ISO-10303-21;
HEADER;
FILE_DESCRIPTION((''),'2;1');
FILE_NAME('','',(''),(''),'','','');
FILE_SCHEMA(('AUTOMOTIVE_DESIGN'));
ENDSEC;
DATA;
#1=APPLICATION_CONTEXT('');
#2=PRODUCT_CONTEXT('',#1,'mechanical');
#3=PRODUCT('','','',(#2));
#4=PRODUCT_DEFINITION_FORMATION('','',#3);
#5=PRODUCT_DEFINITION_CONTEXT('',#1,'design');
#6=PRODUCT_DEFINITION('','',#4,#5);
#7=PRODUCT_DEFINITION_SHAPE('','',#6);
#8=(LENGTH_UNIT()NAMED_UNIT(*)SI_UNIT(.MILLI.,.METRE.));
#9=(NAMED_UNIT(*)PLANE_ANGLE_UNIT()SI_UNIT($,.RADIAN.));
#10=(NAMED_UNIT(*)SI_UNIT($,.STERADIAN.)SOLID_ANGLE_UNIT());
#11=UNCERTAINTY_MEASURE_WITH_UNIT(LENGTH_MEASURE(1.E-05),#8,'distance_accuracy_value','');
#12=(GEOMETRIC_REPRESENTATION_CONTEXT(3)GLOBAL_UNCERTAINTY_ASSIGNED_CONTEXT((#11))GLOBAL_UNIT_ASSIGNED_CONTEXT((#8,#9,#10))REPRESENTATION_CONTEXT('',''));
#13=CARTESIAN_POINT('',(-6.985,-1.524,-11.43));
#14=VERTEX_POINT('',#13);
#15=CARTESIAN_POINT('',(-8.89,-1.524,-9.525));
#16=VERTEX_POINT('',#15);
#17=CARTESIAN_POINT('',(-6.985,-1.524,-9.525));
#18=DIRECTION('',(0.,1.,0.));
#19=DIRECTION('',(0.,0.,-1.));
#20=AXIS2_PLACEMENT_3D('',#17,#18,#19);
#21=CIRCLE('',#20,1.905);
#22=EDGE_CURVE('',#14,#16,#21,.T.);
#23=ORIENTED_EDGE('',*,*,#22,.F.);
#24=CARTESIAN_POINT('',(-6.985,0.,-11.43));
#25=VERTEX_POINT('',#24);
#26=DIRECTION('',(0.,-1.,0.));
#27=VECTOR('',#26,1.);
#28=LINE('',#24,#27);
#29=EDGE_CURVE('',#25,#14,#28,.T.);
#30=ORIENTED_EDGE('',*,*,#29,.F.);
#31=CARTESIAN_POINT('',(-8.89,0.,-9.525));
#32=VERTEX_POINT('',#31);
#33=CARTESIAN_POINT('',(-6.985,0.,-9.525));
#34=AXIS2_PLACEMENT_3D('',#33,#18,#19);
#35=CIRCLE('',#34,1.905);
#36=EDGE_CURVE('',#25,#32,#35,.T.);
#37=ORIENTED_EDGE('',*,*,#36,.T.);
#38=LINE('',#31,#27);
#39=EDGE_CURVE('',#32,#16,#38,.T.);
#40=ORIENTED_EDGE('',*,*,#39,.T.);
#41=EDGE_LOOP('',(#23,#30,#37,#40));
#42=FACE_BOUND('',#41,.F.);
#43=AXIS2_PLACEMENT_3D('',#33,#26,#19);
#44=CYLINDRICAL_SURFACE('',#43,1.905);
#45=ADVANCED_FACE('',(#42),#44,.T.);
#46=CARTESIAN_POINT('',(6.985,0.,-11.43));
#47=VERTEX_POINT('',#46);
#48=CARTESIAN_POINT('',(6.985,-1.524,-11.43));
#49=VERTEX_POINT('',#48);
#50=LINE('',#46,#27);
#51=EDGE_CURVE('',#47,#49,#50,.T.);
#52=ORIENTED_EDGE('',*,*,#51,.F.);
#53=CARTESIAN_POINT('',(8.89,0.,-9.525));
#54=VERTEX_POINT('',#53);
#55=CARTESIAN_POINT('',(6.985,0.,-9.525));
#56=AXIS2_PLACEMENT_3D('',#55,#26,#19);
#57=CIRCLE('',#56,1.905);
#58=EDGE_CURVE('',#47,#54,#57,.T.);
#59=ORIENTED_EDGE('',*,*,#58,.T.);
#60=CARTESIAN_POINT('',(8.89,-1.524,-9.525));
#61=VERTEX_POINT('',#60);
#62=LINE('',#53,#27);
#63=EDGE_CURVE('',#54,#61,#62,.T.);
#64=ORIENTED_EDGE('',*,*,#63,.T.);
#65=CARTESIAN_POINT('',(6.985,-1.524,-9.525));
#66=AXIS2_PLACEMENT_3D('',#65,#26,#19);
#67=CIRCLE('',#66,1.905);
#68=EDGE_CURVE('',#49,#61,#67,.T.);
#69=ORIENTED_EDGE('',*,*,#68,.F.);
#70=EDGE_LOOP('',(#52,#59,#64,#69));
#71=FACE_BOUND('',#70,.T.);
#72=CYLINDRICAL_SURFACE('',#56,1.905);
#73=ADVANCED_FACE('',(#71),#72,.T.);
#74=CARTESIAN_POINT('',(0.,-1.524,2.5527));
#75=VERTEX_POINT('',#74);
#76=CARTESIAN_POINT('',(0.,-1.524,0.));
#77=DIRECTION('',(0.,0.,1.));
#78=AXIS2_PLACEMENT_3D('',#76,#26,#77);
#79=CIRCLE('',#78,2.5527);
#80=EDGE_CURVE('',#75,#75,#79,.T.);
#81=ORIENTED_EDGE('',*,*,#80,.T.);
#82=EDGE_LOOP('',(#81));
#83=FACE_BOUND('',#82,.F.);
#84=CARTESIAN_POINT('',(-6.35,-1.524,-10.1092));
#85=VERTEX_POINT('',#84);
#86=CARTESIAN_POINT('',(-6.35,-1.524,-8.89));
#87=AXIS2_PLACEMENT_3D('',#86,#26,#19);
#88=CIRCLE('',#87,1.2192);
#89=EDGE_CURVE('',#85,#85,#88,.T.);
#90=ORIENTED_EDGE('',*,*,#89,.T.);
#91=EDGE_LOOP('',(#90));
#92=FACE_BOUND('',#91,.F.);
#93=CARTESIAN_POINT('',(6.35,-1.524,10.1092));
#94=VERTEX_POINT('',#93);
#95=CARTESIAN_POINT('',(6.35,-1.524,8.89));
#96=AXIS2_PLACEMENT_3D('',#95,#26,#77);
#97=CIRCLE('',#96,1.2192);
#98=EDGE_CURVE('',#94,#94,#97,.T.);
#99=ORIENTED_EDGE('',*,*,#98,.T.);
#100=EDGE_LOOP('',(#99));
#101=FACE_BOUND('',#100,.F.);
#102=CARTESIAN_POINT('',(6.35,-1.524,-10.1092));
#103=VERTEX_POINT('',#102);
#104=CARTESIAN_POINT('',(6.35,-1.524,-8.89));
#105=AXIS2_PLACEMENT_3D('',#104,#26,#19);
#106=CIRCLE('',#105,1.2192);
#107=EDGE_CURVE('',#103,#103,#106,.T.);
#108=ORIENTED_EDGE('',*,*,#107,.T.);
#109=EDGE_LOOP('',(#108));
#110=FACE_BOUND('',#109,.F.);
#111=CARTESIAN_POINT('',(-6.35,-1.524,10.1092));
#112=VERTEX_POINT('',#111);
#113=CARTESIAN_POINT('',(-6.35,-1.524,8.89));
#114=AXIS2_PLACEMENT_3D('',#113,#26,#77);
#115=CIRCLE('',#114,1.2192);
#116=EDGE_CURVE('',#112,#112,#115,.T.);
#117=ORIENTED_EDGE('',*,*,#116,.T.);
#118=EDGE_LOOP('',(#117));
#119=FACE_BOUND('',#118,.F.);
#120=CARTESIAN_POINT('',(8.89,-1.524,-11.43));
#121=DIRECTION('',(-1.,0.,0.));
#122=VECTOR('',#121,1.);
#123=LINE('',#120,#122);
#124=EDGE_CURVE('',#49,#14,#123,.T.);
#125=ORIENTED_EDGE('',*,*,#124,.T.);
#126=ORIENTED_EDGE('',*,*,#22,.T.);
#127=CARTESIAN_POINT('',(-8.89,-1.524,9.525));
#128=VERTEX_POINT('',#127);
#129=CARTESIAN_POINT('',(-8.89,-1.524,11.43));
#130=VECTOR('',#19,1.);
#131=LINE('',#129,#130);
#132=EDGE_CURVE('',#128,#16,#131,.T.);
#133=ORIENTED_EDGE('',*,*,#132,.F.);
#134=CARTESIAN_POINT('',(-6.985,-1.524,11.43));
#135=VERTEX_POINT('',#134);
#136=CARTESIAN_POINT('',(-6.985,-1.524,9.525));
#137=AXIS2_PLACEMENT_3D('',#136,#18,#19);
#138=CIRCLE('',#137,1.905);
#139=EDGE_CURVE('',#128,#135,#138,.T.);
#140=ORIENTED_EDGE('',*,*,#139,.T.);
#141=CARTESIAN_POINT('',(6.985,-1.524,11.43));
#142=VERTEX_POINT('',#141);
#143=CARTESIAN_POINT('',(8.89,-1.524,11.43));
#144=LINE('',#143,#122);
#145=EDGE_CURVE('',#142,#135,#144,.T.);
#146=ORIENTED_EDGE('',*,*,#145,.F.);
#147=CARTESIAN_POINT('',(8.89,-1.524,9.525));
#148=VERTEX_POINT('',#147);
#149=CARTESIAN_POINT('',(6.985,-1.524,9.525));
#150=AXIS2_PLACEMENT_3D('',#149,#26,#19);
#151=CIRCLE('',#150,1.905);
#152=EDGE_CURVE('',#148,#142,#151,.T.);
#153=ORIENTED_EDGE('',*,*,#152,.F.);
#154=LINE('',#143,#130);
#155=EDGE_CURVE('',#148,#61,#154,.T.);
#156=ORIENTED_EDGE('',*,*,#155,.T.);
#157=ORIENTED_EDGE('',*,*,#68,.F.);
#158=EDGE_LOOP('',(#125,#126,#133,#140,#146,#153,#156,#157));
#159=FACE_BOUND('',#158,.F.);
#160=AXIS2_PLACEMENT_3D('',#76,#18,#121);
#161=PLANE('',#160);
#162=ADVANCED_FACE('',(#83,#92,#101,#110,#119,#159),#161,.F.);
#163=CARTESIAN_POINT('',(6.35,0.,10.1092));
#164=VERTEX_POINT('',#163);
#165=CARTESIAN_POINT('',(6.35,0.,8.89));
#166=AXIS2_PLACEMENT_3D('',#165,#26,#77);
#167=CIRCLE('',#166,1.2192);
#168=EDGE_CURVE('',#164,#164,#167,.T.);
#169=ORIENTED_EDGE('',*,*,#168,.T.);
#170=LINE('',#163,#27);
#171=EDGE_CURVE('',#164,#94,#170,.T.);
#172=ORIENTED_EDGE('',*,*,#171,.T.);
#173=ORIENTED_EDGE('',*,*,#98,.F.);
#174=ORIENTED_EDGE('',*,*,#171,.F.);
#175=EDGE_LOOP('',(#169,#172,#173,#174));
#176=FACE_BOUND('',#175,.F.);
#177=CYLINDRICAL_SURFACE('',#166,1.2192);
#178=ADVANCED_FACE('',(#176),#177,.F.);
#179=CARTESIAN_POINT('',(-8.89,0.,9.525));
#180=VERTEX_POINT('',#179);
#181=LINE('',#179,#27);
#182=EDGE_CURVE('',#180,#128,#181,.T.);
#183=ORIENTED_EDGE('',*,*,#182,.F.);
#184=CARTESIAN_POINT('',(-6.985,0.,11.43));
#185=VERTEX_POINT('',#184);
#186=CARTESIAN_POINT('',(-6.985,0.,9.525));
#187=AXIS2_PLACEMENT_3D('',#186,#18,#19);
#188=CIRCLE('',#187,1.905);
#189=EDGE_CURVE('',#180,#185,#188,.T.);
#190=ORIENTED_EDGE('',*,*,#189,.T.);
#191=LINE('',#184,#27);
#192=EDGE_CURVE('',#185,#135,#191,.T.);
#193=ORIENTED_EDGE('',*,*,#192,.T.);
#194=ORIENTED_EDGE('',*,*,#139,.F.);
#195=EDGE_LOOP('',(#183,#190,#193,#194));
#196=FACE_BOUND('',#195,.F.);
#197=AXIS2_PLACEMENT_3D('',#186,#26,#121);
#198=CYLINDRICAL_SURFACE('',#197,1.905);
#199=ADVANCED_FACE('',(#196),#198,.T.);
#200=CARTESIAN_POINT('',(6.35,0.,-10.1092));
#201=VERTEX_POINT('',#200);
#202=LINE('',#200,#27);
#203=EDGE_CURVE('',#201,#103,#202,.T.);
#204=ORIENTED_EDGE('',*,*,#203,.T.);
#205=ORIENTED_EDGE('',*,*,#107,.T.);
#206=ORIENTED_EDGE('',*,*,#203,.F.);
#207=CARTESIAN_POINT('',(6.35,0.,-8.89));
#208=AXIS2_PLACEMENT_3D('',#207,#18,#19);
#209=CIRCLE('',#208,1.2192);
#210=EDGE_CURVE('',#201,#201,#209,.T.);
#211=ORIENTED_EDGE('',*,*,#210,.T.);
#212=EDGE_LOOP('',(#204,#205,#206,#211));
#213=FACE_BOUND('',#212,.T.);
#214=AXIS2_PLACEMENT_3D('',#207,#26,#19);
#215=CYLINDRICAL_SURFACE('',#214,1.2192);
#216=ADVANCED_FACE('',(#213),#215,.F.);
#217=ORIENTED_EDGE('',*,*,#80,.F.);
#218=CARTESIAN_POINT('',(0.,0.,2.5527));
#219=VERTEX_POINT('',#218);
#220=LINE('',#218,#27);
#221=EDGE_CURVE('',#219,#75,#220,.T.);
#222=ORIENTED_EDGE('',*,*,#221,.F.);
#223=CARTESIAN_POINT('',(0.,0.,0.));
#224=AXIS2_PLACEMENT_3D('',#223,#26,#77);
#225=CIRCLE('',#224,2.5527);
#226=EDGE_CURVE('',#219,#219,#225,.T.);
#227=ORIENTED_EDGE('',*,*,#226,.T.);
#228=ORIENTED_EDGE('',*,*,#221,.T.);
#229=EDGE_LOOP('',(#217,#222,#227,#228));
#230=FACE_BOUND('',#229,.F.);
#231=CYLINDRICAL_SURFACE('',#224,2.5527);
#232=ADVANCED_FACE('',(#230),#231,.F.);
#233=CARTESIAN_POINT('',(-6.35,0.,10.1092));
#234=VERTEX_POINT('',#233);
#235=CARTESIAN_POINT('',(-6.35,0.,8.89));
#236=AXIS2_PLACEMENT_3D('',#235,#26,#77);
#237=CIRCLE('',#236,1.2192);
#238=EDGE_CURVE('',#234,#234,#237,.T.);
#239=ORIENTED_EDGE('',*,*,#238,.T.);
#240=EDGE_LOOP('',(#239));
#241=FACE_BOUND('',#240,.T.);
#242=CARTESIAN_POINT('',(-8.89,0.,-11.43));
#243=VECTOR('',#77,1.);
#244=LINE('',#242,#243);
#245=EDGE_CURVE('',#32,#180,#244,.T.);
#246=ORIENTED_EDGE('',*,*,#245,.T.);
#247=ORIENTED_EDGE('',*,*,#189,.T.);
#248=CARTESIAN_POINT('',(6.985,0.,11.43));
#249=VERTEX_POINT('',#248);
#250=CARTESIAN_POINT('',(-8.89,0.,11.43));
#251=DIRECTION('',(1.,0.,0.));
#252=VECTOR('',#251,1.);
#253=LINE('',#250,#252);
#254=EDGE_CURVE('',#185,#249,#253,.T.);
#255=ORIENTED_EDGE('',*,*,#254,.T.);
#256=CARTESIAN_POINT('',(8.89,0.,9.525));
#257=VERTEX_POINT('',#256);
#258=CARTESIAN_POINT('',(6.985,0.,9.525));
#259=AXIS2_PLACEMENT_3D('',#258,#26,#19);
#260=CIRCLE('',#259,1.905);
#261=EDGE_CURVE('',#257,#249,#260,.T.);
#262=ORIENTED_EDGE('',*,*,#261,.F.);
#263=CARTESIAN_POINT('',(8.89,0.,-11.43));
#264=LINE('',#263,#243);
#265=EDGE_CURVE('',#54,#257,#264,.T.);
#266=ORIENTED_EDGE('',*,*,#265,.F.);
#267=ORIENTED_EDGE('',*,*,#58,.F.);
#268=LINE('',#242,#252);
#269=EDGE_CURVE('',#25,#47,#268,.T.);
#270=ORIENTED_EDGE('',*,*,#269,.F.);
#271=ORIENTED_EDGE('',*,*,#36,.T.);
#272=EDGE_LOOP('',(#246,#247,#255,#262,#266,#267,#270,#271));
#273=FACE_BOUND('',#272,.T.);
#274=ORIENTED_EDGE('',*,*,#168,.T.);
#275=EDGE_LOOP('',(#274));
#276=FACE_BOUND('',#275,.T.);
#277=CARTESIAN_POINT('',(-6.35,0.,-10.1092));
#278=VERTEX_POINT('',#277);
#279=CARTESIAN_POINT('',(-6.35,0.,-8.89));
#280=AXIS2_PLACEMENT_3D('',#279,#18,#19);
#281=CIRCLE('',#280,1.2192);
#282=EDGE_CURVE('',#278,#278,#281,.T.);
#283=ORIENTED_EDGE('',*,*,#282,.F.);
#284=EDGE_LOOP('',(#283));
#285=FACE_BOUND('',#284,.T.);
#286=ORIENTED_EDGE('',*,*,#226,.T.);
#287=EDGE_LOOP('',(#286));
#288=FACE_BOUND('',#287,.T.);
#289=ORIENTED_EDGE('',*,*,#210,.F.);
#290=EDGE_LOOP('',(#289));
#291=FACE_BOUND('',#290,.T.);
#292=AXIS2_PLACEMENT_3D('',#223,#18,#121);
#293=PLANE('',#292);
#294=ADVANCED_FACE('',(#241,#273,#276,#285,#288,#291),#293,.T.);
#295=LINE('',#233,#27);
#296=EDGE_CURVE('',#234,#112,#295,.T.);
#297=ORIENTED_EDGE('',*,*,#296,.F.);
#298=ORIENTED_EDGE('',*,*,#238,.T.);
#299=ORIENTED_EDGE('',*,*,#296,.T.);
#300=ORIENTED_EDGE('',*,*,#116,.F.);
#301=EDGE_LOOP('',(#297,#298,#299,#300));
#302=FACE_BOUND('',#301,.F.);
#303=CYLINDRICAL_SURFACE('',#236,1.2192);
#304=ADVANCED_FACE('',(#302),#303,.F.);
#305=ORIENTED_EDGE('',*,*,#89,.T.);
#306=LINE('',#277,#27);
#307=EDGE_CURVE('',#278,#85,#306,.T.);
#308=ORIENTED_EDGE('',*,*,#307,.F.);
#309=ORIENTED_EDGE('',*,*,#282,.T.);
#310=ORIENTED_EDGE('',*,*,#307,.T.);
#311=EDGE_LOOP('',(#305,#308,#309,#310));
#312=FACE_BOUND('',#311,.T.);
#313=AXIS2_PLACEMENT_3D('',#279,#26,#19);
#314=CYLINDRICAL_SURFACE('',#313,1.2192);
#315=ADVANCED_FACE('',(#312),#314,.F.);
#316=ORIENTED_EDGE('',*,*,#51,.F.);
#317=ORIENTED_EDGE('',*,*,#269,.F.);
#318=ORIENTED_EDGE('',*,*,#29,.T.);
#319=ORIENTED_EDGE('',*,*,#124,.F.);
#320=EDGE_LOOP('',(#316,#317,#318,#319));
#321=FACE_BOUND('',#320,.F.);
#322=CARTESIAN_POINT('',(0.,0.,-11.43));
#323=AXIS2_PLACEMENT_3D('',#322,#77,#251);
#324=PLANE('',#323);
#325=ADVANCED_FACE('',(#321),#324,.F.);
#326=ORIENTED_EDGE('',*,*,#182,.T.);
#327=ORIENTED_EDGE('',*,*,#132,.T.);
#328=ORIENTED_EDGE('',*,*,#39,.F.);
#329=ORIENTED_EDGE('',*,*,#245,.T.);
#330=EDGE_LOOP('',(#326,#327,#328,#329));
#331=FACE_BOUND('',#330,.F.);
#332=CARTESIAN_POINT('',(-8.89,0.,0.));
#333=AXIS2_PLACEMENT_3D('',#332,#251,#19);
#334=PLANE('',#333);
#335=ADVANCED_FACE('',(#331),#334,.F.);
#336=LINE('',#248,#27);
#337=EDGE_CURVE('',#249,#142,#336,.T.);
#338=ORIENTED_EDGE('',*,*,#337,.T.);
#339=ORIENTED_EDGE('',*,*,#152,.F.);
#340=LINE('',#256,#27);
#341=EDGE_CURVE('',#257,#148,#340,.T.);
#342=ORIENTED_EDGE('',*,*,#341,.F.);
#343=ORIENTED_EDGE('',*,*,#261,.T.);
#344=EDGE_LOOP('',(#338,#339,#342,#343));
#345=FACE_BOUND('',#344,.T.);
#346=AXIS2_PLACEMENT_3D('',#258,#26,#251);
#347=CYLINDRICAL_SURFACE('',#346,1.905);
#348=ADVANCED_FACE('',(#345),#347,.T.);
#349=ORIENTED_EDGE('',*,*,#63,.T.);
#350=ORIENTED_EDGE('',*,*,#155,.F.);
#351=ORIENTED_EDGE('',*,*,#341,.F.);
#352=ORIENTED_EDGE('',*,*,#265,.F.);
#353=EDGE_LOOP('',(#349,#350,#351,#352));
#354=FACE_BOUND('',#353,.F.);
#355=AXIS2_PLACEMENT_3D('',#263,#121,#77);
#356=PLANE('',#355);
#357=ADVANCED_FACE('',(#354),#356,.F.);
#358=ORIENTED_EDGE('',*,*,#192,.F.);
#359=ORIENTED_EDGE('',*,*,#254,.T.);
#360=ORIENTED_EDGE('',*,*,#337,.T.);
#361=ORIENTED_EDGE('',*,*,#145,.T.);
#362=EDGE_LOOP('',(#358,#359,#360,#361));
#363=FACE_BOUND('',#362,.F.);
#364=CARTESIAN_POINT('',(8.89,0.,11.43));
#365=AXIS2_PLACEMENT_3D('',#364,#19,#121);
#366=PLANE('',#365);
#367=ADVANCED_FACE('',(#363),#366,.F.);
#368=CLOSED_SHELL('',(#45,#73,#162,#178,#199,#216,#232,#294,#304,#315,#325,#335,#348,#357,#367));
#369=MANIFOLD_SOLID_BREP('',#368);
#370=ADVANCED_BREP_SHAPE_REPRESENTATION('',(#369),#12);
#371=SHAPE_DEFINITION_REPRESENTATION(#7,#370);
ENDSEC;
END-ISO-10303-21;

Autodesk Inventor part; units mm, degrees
ref_plane "YZ Plane" through (0, 0, 0) normal (1, 0, 0) x (0, 1, 0)
ref_plane "XZ Plane" through (0, 0, 0) normal (0, 1, 0) x (-1, 0, 0)
ref_plane "XY Plane" through (0, 0, 0) normal (0, 0, 1) x (1, 0, 0)
sketch "Sketch1" plane through (0, 0, 0) normal (0, 1, 0) x (-1, 0, 0)
  line L0 (0, -16.002) -> (0, 16.002) projected
  line L1 (-12.446, 0) -> (12.446, 0) projected
  line L2 (-8.89, 11.43) -> (8.89, 11.43)
  line L3 (8.89, 11.43) -> (8.89, -11.43)
  line L4 (8.89, -11.43) -> (-8.89, -11.43)
  line L5 (-8.89, -11.43) -> (-8.89, 11.43)
  line L6 (-8.89, 11.43) -> (8.89, -11.43) construction
  line L7 (8.89, 11.43) -> (-8.89, -11.43) construction
  point P0 (0, 0)
  point P1 (6.35, 8.89)
  point P2 (-6.35, 8.89)
  dimension "d0" = 6.35
  dimension "d1" = 6.35
  dimension "d23" = 22.86
  dimension "d24" = 17.78
  dimension "d25" = 8.89
extrude "Extrusion1" add sketch "Sketch1" against normal blind 1.524
hole "Hole1" at (-6.35, 0, 8.89) at (6.35, 0, 8.89) direction (0, -1, 0) diameter 2.4384 end through all clearance for "Socket Head Cap Screw" size "#2" standard "Ansi Unified Screw Threads"
sketch "Sketch2" plane through (0, -1.524, 0) normal (0, -1, 0) x (1, 0, 0)
  line L0 (0, 16.002) -> (0, -16.002) projected
  line L1 (-12.446, 0) -> (12.446, 0) projected
  line L2 (-6.477, -4.064) -> (6.477, -4.064)
  line L3 (6.477, -4.064) -> (6.477, 4.064)
  line L4 (6.477, 4.064) -> (-6.477, 4.064)
  line L5 (-6.477, 4.064) -> (-6.477, -4.064)
  line L6 (-6.477, -4.064) -> (6.477, 4.064) construction
  line L7 (6.477, -4.064) -> (-6.477, 4.064) construction
  point P0 (0, 0)
  dimension "d11" = 12.954
  dimension "d12" = 8.128
extrude "Extrusion2" [suppressed]
hole "Hole2" at (0, 0, 0) direction (0, -1, 0) diameter 5.1054 end through all clearance for "Socket Head Cap Screw" size "#10" standard "Ansi Unified Screw Threads"
fillet "Fillet1" radius 1.905 4 edges at (-8.89, -0.762, -11.43) (-8.89, -0.762, 11.43) (8.89, -0.762, 11.43) (8.89, -0.762, -11.43)
mirror "Mirror1" about plane through (0, 0, 0) normal (0, 0, 1) of "Hole1"
properties part number "J010354" material "STAINLESS STEEL, 304"
